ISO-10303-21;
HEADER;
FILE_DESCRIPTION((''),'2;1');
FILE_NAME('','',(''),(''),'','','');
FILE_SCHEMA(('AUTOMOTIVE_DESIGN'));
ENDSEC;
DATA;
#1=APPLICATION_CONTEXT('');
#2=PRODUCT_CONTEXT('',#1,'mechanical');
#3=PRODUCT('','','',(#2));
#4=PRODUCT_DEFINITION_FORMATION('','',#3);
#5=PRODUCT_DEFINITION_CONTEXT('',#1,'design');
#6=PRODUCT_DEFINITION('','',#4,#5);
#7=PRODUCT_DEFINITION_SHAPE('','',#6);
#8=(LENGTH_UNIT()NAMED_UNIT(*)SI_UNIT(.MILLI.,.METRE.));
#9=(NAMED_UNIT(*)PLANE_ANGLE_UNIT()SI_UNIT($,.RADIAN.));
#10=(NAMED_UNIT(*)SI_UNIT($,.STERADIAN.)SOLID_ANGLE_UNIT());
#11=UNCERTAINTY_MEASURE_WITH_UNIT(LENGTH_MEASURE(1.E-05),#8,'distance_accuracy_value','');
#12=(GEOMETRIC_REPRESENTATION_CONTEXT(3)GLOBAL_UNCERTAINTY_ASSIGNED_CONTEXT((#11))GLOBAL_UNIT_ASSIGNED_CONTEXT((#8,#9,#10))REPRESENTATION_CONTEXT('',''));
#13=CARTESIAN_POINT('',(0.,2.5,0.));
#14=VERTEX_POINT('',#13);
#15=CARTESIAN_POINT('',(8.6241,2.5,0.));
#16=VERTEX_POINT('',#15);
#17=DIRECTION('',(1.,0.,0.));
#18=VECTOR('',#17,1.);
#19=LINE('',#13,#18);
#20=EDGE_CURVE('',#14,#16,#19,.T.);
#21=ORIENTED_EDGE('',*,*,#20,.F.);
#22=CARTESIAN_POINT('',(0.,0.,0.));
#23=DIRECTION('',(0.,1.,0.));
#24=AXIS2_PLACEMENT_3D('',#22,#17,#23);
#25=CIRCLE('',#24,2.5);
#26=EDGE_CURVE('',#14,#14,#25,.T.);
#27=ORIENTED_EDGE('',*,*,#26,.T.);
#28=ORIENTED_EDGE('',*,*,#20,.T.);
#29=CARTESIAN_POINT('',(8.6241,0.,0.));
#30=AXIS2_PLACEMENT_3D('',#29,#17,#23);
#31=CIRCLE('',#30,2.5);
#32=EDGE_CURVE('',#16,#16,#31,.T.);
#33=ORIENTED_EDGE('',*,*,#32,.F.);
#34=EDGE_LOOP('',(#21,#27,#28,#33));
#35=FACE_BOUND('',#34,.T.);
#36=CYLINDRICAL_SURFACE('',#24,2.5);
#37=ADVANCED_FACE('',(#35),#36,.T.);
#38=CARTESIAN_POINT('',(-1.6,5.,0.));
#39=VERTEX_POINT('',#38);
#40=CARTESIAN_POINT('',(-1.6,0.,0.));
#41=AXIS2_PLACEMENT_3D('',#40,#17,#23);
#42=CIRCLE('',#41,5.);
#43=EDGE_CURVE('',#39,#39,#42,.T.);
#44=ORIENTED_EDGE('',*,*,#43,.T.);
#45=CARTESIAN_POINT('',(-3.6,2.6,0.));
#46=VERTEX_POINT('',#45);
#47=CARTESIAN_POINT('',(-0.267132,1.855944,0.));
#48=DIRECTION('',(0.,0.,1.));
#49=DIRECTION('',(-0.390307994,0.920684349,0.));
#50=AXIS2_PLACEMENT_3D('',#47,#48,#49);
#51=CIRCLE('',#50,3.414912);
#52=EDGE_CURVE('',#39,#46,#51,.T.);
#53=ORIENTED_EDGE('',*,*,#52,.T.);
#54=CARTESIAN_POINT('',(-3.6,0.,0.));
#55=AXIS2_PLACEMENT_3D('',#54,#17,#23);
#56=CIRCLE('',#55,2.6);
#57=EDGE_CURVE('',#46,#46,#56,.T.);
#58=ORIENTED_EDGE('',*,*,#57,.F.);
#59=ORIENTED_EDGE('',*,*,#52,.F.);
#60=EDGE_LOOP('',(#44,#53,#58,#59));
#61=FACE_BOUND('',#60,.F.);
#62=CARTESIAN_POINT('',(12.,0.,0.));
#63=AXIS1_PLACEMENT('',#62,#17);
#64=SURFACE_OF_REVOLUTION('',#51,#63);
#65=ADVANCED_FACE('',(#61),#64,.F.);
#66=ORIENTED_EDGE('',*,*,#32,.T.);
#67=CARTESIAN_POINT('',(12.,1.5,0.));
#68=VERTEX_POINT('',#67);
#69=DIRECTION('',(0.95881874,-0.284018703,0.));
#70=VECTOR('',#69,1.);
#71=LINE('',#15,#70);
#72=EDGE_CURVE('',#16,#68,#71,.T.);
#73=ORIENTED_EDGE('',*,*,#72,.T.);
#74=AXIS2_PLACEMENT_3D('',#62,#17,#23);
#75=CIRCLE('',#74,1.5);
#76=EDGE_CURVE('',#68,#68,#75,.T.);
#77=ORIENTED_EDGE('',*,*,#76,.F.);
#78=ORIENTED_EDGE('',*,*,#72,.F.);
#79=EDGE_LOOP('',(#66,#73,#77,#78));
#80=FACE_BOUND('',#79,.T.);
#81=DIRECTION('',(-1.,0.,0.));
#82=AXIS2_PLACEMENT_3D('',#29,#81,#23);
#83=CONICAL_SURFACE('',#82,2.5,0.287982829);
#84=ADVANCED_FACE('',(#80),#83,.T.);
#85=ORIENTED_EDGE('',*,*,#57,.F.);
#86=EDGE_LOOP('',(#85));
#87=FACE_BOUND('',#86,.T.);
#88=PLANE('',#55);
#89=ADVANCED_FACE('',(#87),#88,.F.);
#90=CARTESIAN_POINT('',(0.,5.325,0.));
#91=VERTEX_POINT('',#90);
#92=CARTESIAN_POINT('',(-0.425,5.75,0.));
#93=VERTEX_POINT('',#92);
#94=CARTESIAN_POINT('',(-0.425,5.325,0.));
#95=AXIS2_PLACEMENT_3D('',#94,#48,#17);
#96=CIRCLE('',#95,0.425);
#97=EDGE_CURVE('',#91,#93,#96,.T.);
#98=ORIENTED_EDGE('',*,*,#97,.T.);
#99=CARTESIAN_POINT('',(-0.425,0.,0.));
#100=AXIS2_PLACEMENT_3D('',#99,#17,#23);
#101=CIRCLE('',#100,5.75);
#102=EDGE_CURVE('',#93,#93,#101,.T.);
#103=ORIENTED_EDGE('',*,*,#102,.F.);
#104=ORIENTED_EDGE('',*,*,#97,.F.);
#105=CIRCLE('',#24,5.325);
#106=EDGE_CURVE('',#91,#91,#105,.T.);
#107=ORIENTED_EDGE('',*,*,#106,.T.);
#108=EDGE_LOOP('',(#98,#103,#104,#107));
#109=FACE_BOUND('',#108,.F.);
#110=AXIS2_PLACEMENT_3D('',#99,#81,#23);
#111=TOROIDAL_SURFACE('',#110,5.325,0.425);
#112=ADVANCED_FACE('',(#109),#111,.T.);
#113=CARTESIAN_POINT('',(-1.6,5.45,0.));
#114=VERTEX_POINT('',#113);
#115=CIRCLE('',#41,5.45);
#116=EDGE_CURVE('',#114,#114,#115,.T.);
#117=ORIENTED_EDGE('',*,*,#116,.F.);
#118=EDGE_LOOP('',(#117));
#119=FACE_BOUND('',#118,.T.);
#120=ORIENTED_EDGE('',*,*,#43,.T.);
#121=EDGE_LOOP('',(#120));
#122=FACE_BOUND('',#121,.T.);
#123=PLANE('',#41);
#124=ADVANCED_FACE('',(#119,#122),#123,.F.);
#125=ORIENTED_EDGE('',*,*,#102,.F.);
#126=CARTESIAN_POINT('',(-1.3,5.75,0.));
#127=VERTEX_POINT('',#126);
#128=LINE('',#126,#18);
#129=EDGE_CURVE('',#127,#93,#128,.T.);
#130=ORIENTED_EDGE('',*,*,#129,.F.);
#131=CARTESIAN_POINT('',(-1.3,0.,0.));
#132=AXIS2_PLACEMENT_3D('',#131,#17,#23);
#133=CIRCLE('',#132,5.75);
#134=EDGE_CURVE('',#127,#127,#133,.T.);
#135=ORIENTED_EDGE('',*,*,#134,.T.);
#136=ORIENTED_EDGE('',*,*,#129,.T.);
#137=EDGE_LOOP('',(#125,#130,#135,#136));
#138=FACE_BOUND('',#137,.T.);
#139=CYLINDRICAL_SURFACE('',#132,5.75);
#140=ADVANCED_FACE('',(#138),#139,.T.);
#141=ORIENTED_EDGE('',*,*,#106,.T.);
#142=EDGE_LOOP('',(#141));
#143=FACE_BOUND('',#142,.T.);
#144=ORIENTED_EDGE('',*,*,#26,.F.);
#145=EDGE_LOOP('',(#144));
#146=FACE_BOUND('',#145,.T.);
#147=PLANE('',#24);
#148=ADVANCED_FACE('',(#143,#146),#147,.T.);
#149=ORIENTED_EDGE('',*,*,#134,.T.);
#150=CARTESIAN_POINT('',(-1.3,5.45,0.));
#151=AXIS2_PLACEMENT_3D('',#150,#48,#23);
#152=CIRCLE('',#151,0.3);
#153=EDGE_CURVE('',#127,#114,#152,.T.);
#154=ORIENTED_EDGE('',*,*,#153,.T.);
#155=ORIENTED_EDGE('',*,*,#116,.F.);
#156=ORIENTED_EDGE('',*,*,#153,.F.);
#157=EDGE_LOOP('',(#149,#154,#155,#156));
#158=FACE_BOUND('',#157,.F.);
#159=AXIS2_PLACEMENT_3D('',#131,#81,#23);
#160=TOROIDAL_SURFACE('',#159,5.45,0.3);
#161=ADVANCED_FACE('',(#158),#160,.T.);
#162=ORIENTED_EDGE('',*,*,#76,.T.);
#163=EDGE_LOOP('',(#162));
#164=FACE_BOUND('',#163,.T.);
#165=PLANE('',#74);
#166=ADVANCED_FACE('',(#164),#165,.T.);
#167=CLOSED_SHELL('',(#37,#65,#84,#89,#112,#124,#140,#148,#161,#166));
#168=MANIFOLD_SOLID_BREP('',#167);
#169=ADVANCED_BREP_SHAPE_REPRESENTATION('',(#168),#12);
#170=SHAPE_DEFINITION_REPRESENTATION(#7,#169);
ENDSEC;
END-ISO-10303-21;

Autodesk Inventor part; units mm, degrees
sketch "Sketch_1" plane through (0, 0, 0) normal (0, 0, 1) x (1, 0, 0)
  line L0 (12, 0) -> (-3.6, 0)
  line L1 (-3.6, 0) -> (-3.6, 2.6)
  arc A0 (-1.6, 5) -> (-3.6, 2.6) centre (-0.2671, 1.8559) ccw
  line L2 (-1.6, 5) -> (-1.6, 5.45)
  arc A1 (-1.3, 5.75) -> (-1.6, 5.45) centre (-1.3, 5.45) ccw
  line L3 (-1.3, 5.75) -> (-0.425, 5.75)
  arc A2 (0, 5.325) -> (-0.425, 5.75) centre (-0.425, 5.325) ccw
  line L4 (0, 5.325) -> (0, 2.5)
  line L5 (0, 2.5) -> (8.6241, 2.5)
  line L6 (8.6241, 2.5) -> (12, 1.5)
  line L7 (12, 1.5) -> (12, 0)
  line L8 (12, 0) -> (-3.6, 0)
revolve "Revolution1" add sketch "Sketch_1" angle 360 about axis through (12, 0, 0) along (1, 0, 0)
ref_plane "SCHRAUBE_XY" through (0, 0, 0) normal (-1, 0, 0) x (0, 0, -1)
ref_plane "SCHRAUBE_YZ" through (0, 0, 0) normal (0, 0, -1) x (0, -1, 0)
ref_plane "SCHRAUBE_ZX" through (0, 0, 0) normal (0, -1, 0) x (-1, 0, 0)
properties part number "1301.000_10_(1)"
